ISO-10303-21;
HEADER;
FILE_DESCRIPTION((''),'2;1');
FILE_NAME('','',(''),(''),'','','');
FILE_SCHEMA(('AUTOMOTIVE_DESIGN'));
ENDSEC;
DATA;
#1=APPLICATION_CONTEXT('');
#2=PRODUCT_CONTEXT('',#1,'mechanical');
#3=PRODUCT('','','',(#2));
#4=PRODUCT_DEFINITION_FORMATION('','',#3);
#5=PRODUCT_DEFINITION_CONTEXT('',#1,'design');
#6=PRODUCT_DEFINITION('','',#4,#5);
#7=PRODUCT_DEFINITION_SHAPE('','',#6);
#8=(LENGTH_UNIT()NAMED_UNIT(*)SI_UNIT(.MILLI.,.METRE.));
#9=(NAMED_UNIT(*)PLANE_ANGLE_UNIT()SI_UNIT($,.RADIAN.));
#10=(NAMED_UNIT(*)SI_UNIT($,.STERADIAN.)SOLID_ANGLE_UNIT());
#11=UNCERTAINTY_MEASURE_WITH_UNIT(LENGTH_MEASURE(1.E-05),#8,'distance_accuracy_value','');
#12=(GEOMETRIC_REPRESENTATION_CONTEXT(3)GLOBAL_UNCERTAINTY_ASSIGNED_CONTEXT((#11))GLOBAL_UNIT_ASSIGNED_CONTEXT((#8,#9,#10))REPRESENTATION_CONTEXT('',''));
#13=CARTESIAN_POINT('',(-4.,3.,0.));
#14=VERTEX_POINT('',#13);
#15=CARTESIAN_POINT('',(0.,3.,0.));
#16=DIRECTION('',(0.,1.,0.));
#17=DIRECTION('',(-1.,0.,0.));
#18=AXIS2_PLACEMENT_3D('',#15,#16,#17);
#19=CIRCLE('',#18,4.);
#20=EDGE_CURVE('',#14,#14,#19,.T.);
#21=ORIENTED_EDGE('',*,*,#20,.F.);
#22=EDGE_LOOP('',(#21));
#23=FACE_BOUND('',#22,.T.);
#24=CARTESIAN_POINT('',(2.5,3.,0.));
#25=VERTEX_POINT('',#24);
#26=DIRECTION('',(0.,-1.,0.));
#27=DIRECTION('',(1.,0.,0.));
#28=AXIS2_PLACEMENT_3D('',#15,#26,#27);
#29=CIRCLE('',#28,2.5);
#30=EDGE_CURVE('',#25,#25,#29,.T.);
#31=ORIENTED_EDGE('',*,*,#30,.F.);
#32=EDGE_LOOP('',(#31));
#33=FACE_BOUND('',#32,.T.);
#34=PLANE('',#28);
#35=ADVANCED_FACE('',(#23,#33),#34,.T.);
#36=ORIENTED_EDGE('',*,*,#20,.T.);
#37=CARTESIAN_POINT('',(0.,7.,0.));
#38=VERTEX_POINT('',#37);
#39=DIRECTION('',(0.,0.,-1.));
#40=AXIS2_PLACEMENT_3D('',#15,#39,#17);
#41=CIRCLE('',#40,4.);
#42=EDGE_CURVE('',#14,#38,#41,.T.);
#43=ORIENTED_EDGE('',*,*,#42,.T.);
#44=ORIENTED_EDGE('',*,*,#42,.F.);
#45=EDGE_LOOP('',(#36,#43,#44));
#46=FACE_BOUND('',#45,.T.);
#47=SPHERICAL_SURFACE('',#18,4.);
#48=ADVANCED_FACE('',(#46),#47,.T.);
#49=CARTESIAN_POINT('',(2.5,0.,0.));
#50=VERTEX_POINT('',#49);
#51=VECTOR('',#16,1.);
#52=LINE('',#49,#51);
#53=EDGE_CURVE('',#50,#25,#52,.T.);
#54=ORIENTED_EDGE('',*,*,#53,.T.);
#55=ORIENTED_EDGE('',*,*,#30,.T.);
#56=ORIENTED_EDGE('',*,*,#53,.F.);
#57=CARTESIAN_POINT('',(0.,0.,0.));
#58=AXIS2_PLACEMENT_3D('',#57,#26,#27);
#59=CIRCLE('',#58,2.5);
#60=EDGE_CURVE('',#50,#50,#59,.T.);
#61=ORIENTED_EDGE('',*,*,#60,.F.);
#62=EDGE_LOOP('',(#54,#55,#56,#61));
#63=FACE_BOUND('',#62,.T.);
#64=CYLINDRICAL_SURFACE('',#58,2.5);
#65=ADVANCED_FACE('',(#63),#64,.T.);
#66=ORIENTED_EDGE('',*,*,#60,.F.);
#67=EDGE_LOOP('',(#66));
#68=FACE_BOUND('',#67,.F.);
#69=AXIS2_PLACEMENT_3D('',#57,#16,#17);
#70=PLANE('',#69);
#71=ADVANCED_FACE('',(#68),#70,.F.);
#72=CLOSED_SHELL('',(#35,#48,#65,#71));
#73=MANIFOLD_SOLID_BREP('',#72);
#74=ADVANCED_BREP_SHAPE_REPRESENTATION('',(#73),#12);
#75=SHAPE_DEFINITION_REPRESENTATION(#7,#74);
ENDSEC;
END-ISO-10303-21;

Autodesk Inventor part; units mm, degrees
ref_plane "YZ Plane" through (0, 0, 0) normal (1, 0, 0) x (0, 1, 0)
ref_plane "XZ Plane" through (0, 0, 0) normal (0, 1, 0) x (-1, 0, 0)
ref_plane "XY Plane" through (0, 0, 0) normal (0, 0, 1) x (1, 0, 0)
sketch "Szkic1" plane through (0, 0, 0) normal (0, 1, 0) x (-1, 0, 0)
  circle A0 centre (0, 0) radius 4
  dimension "d0" = 8
extrude "Wyciągnięcie proste1" add sketch "Szkic1" along normal blind 7
fillet "Zaokrąglenie1" radius 4 1 edges at (4, 7, 0)
sketch "Szkic2" plane through (0, 0, 0) normal (0, -1, 0) x (1, 0, 0)
  circle A0 centre (0, 0) radius 2.5
  circle A1 centre (0, 0) radius 4
  dimension "d4" = 5
  dimension "d5" = 8
extrude "Wyciągnięcie proste2" cut sketch "Szkic2" against normal blind 3
properties part number "GumoweTrzymadlo" material "Tworzywo sztuczne PET"
